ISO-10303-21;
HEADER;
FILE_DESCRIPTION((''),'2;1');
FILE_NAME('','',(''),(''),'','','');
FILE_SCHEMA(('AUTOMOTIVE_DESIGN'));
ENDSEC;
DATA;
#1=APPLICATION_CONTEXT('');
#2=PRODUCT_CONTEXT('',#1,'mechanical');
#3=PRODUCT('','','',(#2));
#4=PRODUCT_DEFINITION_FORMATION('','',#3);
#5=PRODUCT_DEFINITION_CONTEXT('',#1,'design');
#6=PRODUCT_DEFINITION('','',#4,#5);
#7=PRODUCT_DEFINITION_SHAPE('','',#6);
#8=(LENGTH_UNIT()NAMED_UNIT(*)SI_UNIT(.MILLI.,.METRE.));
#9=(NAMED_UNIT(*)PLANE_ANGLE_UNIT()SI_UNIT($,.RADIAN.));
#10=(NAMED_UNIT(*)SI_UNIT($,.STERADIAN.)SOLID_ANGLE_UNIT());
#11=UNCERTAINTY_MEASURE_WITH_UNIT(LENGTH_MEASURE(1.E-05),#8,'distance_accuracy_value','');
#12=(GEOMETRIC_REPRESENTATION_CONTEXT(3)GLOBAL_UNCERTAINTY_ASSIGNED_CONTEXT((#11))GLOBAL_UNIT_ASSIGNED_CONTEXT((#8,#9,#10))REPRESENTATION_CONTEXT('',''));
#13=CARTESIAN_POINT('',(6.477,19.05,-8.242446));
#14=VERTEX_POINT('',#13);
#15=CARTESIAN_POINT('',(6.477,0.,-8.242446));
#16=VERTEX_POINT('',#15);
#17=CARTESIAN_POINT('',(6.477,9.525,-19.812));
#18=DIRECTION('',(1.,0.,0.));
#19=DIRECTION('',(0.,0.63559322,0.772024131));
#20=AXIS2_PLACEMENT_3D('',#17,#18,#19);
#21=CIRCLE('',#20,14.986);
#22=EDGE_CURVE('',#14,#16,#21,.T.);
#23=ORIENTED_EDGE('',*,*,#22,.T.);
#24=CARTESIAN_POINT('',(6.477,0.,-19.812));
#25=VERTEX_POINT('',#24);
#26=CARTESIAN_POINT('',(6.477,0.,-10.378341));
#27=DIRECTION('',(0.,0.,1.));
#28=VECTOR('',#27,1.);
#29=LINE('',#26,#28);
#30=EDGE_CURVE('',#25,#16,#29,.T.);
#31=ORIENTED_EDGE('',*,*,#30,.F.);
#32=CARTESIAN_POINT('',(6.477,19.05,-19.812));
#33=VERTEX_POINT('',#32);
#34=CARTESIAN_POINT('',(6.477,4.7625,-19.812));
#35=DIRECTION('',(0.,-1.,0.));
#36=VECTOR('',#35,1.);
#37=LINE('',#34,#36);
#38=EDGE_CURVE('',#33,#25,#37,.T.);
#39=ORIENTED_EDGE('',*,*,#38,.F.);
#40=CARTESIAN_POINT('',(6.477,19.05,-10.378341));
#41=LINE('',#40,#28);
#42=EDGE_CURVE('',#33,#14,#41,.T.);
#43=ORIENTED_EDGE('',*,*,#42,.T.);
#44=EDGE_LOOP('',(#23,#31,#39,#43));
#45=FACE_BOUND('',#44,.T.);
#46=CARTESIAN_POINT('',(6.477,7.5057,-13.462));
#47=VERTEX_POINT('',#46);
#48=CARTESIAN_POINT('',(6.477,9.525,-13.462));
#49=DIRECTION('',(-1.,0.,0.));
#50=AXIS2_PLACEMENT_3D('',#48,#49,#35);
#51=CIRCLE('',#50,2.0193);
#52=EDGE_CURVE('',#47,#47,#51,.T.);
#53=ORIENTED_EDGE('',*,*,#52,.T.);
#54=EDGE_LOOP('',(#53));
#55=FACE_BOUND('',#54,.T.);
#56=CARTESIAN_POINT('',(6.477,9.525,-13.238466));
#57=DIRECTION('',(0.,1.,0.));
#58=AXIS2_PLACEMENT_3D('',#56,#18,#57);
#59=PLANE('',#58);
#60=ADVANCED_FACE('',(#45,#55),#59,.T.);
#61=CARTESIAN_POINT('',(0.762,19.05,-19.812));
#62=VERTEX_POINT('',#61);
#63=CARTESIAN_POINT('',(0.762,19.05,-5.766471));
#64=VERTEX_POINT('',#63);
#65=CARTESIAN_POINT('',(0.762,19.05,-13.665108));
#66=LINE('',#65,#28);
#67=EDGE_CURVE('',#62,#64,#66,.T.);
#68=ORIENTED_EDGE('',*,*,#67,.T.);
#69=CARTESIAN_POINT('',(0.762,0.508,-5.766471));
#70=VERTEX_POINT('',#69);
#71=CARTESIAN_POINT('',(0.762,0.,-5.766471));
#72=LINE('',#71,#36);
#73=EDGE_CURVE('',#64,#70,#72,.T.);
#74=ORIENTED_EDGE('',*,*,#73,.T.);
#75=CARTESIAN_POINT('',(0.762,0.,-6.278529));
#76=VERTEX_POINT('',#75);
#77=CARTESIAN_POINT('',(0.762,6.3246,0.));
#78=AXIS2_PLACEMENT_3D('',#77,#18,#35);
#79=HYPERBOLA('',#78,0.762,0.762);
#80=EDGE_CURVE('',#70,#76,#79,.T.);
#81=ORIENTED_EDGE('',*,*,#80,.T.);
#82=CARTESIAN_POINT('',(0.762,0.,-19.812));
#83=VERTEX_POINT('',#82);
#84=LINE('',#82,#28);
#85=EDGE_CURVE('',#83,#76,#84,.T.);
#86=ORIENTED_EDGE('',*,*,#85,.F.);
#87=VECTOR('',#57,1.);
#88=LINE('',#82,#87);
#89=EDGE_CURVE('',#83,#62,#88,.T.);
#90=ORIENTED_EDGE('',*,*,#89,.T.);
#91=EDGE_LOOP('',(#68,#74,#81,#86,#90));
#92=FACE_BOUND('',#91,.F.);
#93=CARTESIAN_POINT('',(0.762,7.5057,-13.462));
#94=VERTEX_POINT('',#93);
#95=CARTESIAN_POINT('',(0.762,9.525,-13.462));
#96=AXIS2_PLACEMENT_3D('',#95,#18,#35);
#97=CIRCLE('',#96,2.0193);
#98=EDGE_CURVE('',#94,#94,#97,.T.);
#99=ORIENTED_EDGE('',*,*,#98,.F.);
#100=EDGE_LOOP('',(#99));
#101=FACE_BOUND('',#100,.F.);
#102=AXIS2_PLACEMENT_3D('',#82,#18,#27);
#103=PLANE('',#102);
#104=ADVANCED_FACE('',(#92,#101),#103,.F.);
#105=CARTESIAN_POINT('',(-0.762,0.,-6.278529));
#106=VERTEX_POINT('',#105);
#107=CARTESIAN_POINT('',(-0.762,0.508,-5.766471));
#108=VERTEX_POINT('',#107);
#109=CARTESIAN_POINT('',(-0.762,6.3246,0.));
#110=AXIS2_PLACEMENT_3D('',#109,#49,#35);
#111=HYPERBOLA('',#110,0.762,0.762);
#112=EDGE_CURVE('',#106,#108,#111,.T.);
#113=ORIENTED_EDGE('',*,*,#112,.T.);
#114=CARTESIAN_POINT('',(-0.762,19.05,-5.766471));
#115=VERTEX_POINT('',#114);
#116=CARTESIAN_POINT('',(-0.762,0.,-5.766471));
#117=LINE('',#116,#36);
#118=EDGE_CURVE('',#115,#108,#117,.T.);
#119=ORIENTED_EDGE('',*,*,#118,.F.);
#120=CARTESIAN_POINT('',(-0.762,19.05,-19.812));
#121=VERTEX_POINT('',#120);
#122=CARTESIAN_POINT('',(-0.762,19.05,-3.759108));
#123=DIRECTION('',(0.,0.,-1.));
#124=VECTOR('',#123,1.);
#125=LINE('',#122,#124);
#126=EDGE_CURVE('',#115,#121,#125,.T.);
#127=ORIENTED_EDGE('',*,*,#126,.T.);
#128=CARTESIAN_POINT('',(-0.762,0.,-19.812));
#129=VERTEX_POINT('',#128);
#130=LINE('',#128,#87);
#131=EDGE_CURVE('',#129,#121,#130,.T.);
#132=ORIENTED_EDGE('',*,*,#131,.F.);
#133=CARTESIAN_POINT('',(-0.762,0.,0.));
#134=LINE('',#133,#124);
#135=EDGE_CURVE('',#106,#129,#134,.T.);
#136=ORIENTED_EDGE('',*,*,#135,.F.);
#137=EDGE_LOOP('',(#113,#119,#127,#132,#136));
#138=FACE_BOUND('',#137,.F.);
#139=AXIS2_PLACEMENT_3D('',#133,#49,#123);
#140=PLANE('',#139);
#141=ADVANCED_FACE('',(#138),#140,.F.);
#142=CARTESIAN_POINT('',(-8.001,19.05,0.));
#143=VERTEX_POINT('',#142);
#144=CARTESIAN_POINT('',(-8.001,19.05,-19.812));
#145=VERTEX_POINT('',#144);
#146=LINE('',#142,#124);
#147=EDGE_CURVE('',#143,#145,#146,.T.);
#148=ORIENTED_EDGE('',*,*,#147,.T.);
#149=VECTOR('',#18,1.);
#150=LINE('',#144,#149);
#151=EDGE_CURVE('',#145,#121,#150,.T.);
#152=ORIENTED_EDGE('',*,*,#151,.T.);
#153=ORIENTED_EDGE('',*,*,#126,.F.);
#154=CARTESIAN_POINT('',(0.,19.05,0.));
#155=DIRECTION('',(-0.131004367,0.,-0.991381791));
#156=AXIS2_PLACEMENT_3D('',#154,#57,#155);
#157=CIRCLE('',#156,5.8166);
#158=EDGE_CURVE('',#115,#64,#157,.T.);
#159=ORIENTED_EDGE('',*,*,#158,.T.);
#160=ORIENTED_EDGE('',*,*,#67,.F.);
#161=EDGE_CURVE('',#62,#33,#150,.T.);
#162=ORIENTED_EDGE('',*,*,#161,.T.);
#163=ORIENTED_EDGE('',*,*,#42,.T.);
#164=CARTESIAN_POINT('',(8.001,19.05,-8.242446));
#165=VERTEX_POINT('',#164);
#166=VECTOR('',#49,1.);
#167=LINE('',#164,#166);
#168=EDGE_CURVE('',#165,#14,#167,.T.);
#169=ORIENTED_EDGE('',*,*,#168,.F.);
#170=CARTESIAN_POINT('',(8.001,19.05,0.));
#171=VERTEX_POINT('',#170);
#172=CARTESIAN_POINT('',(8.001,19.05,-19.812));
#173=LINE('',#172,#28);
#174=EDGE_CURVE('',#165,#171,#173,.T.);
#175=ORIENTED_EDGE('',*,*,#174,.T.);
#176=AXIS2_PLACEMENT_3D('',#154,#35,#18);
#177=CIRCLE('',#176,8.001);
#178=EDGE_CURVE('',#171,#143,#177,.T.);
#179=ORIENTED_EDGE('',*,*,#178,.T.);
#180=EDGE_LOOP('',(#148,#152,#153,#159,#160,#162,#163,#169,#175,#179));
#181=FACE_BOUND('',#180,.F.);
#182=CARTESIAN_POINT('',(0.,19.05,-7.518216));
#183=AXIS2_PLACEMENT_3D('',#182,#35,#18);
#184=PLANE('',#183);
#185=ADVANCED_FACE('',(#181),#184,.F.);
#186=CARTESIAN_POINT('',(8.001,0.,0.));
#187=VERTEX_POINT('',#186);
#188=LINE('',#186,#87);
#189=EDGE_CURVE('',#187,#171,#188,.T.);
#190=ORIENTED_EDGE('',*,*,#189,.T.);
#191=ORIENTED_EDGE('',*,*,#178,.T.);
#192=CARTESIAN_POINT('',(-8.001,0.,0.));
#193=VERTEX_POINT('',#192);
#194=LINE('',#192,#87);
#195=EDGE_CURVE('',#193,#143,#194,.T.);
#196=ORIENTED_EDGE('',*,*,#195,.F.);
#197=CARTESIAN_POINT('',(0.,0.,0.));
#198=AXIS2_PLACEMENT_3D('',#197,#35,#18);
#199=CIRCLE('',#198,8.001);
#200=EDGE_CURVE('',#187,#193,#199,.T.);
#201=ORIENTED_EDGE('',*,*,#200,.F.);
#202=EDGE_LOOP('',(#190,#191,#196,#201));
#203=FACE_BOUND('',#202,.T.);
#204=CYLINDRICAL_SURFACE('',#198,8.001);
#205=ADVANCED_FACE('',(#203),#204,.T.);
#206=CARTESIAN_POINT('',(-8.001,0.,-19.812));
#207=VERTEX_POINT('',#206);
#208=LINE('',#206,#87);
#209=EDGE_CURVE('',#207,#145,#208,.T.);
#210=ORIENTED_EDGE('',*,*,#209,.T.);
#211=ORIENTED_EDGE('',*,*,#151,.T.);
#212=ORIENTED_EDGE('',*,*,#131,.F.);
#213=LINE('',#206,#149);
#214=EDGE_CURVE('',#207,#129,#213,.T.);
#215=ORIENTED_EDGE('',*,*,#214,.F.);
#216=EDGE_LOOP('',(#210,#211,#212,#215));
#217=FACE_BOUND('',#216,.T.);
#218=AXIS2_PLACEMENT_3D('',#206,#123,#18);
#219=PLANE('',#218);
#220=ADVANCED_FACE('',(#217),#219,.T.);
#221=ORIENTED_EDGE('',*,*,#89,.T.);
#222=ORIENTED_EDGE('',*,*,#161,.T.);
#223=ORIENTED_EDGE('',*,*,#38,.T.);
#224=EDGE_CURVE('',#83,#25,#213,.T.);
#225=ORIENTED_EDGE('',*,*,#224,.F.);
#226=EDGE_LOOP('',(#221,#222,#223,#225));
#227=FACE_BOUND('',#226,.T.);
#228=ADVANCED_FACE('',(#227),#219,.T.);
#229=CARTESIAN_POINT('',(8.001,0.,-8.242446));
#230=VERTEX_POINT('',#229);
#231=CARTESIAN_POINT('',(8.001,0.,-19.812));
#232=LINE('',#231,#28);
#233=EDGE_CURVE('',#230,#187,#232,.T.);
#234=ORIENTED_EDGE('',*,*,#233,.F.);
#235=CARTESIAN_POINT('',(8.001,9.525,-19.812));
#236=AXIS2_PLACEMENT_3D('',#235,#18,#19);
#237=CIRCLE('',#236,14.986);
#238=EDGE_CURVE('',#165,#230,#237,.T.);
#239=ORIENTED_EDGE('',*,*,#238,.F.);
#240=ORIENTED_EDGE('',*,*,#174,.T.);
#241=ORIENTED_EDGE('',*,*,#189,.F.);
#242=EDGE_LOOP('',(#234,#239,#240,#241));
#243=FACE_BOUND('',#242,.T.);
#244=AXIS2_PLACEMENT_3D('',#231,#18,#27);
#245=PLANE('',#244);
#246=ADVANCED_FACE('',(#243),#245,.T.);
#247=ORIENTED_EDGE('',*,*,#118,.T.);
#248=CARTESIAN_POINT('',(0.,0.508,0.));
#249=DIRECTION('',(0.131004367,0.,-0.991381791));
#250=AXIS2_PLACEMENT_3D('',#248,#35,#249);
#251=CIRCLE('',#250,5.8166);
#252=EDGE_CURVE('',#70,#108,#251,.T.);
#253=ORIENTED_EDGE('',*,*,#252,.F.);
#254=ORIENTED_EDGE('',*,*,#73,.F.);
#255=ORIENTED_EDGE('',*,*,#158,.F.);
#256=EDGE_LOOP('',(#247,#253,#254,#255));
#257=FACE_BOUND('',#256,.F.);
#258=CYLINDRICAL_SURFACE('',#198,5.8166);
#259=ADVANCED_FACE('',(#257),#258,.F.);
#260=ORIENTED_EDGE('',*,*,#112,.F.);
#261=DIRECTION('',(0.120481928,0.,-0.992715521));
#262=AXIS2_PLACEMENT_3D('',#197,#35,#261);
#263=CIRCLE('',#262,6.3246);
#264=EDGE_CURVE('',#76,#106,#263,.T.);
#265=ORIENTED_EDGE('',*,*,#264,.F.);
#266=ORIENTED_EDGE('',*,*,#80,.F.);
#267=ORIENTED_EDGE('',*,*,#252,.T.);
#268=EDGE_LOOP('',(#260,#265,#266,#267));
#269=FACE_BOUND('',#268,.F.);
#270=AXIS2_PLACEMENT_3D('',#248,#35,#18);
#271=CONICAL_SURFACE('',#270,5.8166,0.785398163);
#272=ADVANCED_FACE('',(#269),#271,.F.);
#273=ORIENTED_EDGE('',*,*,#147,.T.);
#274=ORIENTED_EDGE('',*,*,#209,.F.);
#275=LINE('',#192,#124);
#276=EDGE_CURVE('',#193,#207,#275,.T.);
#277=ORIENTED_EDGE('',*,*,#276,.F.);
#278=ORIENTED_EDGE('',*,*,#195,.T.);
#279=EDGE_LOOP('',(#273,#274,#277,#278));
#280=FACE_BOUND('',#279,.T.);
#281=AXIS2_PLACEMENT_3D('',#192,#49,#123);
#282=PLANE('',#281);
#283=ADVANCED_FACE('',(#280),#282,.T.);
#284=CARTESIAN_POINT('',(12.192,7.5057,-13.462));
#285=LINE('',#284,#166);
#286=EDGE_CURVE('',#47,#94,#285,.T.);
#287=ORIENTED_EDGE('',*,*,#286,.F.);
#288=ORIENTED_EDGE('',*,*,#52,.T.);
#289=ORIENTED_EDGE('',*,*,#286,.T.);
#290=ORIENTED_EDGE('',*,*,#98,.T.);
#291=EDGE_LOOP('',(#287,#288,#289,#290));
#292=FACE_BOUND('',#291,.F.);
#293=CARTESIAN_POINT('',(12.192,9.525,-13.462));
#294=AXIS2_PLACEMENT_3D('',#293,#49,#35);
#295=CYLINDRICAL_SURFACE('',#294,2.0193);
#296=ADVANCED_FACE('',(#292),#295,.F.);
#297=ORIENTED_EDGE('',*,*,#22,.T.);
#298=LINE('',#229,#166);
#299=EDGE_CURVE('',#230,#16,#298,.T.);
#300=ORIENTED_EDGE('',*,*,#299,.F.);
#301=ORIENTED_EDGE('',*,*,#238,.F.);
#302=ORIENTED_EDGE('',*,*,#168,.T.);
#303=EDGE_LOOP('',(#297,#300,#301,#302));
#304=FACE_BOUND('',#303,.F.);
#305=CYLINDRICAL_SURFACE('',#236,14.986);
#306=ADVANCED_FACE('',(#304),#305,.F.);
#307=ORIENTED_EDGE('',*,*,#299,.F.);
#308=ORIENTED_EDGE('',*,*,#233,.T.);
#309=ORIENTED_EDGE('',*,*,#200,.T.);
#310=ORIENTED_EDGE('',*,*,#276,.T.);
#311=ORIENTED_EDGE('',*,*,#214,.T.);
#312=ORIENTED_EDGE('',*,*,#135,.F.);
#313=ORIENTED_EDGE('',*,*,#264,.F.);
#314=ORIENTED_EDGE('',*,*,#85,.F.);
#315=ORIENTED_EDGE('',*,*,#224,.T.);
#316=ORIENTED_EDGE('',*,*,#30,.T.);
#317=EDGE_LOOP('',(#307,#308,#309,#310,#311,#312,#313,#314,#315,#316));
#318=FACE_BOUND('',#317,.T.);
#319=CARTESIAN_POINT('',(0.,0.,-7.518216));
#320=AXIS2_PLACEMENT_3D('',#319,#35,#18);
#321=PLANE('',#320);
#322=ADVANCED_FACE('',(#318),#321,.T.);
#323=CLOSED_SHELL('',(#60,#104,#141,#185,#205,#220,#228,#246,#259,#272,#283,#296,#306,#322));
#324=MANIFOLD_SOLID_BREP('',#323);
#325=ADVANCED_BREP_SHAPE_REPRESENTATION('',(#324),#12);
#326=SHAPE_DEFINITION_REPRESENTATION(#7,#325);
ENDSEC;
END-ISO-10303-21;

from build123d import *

# Parameters (mm, degrees)
F0_R     = 5.8166
F1_DEPTH = 19.05
F2_SIZE2 = 0.508
F2_SIZE  = 0.508
F4_DEPTH = 25.4
F6_DEPTH = 1.524
F8_D     = 4.0386
F8_DEPTH = 5.715
F8_TIP   = 1.213317848


with BuildPart() as f1:
    # F0 (on Front) → F1 (new body)
    with BuildSketch(Plane.XZ):
        with BuildLine():
            Line((8.001, -19.812), (8.001, 0))
            ThreePointArc((8.001, 0), (0, 8.001), (-8.001, 0))
            Line((-8.001, 0), (-8.001, -19.812))
            Line((-8.001, -19.812), (8.001, -19.812))
        make_face()
        Circle(F0_R, mode=Mode.SUBTRACT)
    extrude(amount=-F1_DEPTH)

    # F2
    f2_edges = [f1.edges().sort_by_distance(p)[0] for p in [
        (-5.8166, 0, 0),
    ]]
    chamfer(f2_edges, length=F2_SIZE, length2=F2_SIZE2)

    # F3 (on face) → F4 (cut)
    with BuildSketch(Plane.XZ):
        with BuildLine():
            Line((-0.762, -6.2785285824), (-0.762, -19.812))
            Line((-0.762, -19.812), (0.762, -19.812))
            Line((0.762, -19.812), (0.762, -6.2785285824))
            ThreePointArc((0.762, -6.2785285824), (0, -6.3246), (-0.762, -6.2785285824))
        make_face()
        with BuildLine():
            Line((-0.762, 0), (-0.762, -6.2785285824))
            ThreePointArc((-0.762, -6.2785285824), (0, -6.3246), (0.762, -6.2785285824))
            Line((0.762, -6.2785285824), (0.762, 0))
            Line((0.762, 0), (-0.762, 0))
        make_face()
    extrude(amount=-F4_DEPTH, mode=Mode.SUBTRACT)

    # F5 (on face) → F6 (cut)
    with BuildSketch(Plane.YZ.offset(8.001)):
        with BuildLine():
            Line((19.05, -19.812), (19.05, -8.2424463785))
            ThreePointArc((19.05, -8.2424463785), (9.525, -4.826), (0, -8.2424463785))
            Line((0, -8.2424463785), (0, -19.812))
            Line((0, -19.812), (19.05, -19.812))
        make_face()
        with BuildLine():
            ThreePointArc((0, -8.2424463785), (3.1281825882, -33.3641556588), (24.511, -19.812))
            ThreePointArc((24.511, -19.812), (23.0771556588, -13.4151825882), (19.05, -8.2424463785))
            Line((19.05, -8.2424463785), (19.05, -19.812))
            Line((19.05, -19.812), (0, -19.812))
            Line((0, -19.812), (0, -8.2424463785))
        make_face()
    extrude(amount=-F6_DEPTH, mode=Mode.SUBTRACT)

    # F8
    with Locations(Plane.YZ.offset(6.477)):
        with Locations((9.525, -13.462)):
            Hole(F8_D / 2, depth=F8_DEPTH)
            with Locations((0, 0, -(F8_DEPTH + F8_TIP / 2))):  # 118° drill point
                Cone(0, F8_D / 2, F8_TIP, mode=Mode.SUBTRACT)


solid = f1.part
